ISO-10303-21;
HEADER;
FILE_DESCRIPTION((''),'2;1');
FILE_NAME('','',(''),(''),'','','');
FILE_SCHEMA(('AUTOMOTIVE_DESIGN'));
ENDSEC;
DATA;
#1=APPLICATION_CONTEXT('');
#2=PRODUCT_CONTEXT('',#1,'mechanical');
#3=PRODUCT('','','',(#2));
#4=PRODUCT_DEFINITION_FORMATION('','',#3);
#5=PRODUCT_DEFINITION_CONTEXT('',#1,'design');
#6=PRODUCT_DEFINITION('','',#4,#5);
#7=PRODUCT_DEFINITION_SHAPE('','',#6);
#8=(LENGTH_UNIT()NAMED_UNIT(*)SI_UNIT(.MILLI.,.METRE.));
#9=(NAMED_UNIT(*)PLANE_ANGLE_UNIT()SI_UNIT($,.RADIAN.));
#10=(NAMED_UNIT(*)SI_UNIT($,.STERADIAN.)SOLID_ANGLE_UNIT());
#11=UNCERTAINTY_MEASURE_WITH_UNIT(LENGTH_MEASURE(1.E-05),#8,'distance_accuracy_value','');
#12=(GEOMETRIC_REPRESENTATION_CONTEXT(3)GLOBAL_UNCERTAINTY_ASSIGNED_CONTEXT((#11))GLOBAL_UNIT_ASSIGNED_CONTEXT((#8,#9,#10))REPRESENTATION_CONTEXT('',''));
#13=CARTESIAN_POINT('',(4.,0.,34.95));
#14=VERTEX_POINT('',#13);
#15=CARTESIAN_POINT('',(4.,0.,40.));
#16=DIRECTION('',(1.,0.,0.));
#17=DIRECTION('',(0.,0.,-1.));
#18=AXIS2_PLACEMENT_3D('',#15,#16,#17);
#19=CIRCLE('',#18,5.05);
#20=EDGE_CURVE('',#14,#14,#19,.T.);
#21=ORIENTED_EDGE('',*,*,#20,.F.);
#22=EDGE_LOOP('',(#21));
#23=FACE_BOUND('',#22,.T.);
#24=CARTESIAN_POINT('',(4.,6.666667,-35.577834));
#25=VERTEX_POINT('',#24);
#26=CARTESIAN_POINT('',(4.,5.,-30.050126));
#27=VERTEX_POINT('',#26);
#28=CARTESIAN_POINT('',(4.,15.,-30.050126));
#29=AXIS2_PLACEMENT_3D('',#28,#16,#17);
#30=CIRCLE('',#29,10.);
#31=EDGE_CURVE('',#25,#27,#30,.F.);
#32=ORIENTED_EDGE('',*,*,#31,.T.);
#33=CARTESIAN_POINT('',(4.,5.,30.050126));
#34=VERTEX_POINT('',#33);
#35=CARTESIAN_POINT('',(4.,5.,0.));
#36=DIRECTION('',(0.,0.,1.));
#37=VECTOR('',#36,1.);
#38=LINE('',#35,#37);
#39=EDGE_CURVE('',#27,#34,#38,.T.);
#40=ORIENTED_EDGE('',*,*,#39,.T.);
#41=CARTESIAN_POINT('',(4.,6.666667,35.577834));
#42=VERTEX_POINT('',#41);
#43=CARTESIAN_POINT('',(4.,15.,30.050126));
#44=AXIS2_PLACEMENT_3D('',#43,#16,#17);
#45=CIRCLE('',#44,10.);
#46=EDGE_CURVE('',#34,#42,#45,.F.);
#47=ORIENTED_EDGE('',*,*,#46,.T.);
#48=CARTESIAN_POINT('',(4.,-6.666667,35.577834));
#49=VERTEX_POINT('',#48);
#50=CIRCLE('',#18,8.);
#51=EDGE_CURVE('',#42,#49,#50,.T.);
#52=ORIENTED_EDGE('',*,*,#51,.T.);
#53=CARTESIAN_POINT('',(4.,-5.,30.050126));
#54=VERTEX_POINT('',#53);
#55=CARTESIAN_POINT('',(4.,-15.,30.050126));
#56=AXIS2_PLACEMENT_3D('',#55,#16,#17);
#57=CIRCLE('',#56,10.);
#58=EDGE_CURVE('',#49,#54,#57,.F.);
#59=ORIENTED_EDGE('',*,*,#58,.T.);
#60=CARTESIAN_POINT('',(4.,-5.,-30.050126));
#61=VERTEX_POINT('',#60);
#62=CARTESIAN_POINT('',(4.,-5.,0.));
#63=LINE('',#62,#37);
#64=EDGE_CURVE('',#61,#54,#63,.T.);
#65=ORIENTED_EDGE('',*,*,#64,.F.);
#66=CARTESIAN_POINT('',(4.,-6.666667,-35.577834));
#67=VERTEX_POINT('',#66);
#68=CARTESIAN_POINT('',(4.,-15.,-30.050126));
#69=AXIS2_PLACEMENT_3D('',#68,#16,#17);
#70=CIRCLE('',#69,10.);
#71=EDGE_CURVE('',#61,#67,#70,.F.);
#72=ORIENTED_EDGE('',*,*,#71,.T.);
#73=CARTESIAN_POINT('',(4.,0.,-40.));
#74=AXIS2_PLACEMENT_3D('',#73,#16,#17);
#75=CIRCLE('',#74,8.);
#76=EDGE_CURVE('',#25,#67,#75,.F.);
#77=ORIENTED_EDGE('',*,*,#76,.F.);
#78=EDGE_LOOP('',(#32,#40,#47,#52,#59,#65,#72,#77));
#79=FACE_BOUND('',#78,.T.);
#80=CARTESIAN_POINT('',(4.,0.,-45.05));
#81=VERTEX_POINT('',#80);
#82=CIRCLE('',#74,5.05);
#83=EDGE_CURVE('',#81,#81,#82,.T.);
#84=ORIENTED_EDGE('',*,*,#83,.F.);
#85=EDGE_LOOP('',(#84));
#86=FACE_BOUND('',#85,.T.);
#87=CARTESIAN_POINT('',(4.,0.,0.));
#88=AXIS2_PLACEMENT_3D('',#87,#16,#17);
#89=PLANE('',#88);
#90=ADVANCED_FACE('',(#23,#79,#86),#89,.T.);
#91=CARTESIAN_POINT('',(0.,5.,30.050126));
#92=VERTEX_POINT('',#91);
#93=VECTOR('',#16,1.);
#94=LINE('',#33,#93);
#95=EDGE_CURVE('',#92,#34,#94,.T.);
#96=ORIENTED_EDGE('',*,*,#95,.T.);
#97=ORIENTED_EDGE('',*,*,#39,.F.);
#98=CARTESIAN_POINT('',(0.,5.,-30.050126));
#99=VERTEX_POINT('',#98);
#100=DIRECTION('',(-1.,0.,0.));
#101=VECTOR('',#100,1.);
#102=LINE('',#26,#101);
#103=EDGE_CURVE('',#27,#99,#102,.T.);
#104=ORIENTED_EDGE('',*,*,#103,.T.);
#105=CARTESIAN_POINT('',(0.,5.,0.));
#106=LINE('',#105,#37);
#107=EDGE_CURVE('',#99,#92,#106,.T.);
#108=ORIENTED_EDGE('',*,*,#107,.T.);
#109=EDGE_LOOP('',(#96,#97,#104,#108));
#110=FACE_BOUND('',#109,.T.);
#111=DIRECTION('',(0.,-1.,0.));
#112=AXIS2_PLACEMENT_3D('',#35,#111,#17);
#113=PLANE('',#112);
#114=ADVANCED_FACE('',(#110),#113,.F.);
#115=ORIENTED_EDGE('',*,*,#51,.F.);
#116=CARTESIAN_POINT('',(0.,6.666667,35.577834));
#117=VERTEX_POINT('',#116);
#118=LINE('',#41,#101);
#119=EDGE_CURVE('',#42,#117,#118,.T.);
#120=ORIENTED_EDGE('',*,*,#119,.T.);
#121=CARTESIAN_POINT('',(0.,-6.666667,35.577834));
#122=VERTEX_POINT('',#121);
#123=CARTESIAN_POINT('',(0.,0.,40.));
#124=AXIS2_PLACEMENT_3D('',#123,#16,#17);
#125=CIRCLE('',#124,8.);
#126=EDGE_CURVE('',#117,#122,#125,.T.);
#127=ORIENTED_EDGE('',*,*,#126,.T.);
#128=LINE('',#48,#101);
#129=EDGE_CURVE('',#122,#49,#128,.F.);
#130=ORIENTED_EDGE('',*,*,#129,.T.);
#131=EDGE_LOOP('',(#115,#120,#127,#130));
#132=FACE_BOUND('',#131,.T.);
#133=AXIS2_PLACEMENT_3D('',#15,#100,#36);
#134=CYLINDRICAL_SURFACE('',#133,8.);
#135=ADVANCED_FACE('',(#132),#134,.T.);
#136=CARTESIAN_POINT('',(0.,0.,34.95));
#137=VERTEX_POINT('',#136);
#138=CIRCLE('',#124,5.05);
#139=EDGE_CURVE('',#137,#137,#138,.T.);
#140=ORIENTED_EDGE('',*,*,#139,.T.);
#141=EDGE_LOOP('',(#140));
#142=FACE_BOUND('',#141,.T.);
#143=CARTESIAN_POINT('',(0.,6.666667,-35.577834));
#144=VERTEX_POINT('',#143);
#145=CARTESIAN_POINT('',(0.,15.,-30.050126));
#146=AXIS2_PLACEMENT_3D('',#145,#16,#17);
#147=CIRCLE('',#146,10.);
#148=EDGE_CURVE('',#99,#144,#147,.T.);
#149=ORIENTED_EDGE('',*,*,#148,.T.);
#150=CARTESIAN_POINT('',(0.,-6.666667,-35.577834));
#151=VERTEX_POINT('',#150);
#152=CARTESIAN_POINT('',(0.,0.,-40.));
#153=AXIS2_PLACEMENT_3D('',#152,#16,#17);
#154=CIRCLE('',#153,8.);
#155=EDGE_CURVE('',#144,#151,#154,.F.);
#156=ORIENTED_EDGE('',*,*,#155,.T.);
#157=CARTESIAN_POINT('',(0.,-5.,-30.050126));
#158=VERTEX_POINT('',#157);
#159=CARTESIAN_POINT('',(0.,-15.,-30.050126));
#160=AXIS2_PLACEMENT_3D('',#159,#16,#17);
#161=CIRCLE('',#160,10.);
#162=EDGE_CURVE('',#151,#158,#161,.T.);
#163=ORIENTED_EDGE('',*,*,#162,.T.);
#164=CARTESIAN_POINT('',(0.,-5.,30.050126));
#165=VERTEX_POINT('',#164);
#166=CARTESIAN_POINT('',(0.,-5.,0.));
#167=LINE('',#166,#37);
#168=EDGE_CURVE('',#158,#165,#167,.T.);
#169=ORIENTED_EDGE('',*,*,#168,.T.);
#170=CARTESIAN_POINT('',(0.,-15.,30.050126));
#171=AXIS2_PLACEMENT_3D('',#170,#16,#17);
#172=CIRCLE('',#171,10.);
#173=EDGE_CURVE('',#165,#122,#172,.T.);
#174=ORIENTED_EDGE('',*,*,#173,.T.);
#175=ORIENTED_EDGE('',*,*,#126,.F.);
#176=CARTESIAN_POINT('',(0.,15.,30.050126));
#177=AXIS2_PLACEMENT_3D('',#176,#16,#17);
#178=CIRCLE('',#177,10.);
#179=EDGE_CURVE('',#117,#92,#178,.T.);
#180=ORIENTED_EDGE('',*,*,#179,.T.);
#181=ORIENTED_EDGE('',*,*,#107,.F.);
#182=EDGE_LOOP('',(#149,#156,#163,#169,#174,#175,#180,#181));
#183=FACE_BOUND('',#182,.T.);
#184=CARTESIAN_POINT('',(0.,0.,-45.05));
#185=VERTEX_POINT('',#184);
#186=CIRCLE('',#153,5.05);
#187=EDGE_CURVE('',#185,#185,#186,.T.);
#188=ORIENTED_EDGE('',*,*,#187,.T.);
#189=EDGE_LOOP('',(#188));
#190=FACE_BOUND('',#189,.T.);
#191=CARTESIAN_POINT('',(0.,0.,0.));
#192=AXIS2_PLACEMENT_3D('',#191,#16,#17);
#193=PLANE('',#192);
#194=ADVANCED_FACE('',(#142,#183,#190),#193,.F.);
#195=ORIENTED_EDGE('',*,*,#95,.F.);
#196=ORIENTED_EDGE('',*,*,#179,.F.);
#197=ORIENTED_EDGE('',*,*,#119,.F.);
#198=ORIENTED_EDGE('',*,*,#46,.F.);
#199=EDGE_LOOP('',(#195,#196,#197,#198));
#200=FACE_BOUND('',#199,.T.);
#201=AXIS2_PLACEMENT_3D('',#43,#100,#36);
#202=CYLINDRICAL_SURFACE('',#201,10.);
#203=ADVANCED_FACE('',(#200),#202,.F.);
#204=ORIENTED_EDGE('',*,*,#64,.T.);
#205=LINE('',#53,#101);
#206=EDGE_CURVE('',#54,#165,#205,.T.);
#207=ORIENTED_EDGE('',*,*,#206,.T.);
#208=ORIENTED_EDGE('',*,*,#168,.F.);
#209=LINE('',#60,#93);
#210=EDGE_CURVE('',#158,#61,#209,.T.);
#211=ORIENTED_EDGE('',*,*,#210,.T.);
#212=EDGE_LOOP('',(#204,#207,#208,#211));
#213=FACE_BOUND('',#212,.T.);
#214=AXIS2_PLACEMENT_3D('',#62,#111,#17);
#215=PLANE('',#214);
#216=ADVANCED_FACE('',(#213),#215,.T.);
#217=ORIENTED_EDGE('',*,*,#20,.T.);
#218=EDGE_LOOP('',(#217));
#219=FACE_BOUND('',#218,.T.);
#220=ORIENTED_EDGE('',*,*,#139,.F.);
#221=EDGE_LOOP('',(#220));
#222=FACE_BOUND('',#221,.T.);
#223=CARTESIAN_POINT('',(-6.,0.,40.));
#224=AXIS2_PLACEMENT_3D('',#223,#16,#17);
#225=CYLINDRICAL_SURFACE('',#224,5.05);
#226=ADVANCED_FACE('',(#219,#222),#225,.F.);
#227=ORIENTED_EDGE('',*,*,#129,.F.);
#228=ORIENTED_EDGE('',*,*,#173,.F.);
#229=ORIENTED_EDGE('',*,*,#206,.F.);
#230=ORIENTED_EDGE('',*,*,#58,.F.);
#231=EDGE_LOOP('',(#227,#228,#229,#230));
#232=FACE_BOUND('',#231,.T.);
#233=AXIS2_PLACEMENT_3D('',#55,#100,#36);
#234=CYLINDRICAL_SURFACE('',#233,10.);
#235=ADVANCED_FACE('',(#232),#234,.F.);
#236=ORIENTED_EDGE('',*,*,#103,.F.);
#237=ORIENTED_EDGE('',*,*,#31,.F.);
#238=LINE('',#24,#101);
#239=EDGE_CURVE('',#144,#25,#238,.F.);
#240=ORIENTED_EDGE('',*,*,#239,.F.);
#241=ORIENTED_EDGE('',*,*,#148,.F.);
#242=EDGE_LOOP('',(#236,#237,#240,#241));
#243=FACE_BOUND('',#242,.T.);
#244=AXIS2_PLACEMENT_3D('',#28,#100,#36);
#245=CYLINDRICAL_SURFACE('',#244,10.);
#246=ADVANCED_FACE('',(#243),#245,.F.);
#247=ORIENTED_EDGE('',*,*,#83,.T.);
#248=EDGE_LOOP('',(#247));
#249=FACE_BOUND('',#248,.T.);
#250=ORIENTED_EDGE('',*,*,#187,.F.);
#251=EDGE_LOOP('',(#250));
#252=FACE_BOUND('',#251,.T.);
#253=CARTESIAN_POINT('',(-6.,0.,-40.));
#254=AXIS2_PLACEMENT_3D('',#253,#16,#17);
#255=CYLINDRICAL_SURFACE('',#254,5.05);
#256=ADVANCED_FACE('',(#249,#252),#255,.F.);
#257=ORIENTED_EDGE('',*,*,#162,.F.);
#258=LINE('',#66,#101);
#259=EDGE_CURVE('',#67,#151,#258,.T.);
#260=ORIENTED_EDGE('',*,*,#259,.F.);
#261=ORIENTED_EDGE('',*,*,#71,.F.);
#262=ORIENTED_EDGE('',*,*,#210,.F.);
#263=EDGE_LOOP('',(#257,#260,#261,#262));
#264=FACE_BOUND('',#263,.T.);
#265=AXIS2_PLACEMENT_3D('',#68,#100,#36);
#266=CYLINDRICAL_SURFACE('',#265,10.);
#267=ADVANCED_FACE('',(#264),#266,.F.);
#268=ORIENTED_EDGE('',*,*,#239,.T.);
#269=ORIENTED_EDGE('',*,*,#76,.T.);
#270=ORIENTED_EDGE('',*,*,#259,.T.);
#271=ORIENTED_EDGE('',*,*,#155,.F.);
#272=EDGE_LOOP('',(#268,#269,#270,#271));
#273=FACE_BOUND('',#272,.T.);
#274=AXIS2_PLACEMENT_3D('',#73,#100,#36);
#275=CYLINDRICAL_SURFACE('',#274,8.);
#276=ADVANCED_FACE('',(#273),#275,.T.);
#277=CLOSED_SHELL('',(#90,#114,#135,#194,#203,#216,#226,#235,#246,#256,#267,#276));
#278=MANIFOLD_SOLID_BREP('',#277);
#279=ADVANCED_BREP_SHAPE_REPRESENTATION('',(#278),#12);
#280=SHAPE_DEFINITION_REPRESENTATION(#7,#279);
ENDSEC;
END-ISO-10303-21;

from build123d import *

# Parameters (mm, degrees)
BOSS_EXTRU_1_DEPTH      = 4
ESQUISSE2_R             = 5.05
ENL_V_MAT_EXTRU_1_DEPTH = 10
CONG_1_R                = 10


with BuildPart() as part:
    # Esquisse1 → Boss.-Extru.1 (new body)
    with BuildSketch(Plane(origin=(0, 0, 0), x_dir=(0, 0, -1), z_dir=(1, 0, 0))):
        with BuildLine():
            ThreePointArc((33.755002002, 5), (48, 0), (33.755002002, -5))
            Line((33.755002002, -5), (-33.755002002, -5))
            ThreePointArc((-33.755002002, -5), (-48, 0), (-33.755002002, 5))
            Line((-33.755002002, 5), (33.755002002, 5))
        make_face()
    extrude(amount=BOSS_EXTRU_1_DEPTH)

    # Esquisse2 → Enlèv. mat.-Extru.1 (cut)
    with BuildSketch(Plane(origin=(4, 0, 0), x_dir=(0, 0, -1), z_dir=(1, 0, 0))):
        with Locations((-40, 0)):
            Circle(ESQUISSE2_R)
        with Locations((40, 0)):
            Circle(ESQUISSE2_R)
    extrude(amount=-ENL_V_MAT_EXTRU_1_DEPTH, mode=Mode.SUBTRACT)

    # Congé1
    cong_1_edges = [part.edges().sort_by_distance(p)[0] for p in [
        (2, -5, 33.755002002),
        (2, 5, 33.755002002),
        (2, 5, -33.755002002),
        (2, -5, -33.755002002),
    ]]
    fillet(cong_1_edges, radius=CONG_1_R)


solid = part.part
